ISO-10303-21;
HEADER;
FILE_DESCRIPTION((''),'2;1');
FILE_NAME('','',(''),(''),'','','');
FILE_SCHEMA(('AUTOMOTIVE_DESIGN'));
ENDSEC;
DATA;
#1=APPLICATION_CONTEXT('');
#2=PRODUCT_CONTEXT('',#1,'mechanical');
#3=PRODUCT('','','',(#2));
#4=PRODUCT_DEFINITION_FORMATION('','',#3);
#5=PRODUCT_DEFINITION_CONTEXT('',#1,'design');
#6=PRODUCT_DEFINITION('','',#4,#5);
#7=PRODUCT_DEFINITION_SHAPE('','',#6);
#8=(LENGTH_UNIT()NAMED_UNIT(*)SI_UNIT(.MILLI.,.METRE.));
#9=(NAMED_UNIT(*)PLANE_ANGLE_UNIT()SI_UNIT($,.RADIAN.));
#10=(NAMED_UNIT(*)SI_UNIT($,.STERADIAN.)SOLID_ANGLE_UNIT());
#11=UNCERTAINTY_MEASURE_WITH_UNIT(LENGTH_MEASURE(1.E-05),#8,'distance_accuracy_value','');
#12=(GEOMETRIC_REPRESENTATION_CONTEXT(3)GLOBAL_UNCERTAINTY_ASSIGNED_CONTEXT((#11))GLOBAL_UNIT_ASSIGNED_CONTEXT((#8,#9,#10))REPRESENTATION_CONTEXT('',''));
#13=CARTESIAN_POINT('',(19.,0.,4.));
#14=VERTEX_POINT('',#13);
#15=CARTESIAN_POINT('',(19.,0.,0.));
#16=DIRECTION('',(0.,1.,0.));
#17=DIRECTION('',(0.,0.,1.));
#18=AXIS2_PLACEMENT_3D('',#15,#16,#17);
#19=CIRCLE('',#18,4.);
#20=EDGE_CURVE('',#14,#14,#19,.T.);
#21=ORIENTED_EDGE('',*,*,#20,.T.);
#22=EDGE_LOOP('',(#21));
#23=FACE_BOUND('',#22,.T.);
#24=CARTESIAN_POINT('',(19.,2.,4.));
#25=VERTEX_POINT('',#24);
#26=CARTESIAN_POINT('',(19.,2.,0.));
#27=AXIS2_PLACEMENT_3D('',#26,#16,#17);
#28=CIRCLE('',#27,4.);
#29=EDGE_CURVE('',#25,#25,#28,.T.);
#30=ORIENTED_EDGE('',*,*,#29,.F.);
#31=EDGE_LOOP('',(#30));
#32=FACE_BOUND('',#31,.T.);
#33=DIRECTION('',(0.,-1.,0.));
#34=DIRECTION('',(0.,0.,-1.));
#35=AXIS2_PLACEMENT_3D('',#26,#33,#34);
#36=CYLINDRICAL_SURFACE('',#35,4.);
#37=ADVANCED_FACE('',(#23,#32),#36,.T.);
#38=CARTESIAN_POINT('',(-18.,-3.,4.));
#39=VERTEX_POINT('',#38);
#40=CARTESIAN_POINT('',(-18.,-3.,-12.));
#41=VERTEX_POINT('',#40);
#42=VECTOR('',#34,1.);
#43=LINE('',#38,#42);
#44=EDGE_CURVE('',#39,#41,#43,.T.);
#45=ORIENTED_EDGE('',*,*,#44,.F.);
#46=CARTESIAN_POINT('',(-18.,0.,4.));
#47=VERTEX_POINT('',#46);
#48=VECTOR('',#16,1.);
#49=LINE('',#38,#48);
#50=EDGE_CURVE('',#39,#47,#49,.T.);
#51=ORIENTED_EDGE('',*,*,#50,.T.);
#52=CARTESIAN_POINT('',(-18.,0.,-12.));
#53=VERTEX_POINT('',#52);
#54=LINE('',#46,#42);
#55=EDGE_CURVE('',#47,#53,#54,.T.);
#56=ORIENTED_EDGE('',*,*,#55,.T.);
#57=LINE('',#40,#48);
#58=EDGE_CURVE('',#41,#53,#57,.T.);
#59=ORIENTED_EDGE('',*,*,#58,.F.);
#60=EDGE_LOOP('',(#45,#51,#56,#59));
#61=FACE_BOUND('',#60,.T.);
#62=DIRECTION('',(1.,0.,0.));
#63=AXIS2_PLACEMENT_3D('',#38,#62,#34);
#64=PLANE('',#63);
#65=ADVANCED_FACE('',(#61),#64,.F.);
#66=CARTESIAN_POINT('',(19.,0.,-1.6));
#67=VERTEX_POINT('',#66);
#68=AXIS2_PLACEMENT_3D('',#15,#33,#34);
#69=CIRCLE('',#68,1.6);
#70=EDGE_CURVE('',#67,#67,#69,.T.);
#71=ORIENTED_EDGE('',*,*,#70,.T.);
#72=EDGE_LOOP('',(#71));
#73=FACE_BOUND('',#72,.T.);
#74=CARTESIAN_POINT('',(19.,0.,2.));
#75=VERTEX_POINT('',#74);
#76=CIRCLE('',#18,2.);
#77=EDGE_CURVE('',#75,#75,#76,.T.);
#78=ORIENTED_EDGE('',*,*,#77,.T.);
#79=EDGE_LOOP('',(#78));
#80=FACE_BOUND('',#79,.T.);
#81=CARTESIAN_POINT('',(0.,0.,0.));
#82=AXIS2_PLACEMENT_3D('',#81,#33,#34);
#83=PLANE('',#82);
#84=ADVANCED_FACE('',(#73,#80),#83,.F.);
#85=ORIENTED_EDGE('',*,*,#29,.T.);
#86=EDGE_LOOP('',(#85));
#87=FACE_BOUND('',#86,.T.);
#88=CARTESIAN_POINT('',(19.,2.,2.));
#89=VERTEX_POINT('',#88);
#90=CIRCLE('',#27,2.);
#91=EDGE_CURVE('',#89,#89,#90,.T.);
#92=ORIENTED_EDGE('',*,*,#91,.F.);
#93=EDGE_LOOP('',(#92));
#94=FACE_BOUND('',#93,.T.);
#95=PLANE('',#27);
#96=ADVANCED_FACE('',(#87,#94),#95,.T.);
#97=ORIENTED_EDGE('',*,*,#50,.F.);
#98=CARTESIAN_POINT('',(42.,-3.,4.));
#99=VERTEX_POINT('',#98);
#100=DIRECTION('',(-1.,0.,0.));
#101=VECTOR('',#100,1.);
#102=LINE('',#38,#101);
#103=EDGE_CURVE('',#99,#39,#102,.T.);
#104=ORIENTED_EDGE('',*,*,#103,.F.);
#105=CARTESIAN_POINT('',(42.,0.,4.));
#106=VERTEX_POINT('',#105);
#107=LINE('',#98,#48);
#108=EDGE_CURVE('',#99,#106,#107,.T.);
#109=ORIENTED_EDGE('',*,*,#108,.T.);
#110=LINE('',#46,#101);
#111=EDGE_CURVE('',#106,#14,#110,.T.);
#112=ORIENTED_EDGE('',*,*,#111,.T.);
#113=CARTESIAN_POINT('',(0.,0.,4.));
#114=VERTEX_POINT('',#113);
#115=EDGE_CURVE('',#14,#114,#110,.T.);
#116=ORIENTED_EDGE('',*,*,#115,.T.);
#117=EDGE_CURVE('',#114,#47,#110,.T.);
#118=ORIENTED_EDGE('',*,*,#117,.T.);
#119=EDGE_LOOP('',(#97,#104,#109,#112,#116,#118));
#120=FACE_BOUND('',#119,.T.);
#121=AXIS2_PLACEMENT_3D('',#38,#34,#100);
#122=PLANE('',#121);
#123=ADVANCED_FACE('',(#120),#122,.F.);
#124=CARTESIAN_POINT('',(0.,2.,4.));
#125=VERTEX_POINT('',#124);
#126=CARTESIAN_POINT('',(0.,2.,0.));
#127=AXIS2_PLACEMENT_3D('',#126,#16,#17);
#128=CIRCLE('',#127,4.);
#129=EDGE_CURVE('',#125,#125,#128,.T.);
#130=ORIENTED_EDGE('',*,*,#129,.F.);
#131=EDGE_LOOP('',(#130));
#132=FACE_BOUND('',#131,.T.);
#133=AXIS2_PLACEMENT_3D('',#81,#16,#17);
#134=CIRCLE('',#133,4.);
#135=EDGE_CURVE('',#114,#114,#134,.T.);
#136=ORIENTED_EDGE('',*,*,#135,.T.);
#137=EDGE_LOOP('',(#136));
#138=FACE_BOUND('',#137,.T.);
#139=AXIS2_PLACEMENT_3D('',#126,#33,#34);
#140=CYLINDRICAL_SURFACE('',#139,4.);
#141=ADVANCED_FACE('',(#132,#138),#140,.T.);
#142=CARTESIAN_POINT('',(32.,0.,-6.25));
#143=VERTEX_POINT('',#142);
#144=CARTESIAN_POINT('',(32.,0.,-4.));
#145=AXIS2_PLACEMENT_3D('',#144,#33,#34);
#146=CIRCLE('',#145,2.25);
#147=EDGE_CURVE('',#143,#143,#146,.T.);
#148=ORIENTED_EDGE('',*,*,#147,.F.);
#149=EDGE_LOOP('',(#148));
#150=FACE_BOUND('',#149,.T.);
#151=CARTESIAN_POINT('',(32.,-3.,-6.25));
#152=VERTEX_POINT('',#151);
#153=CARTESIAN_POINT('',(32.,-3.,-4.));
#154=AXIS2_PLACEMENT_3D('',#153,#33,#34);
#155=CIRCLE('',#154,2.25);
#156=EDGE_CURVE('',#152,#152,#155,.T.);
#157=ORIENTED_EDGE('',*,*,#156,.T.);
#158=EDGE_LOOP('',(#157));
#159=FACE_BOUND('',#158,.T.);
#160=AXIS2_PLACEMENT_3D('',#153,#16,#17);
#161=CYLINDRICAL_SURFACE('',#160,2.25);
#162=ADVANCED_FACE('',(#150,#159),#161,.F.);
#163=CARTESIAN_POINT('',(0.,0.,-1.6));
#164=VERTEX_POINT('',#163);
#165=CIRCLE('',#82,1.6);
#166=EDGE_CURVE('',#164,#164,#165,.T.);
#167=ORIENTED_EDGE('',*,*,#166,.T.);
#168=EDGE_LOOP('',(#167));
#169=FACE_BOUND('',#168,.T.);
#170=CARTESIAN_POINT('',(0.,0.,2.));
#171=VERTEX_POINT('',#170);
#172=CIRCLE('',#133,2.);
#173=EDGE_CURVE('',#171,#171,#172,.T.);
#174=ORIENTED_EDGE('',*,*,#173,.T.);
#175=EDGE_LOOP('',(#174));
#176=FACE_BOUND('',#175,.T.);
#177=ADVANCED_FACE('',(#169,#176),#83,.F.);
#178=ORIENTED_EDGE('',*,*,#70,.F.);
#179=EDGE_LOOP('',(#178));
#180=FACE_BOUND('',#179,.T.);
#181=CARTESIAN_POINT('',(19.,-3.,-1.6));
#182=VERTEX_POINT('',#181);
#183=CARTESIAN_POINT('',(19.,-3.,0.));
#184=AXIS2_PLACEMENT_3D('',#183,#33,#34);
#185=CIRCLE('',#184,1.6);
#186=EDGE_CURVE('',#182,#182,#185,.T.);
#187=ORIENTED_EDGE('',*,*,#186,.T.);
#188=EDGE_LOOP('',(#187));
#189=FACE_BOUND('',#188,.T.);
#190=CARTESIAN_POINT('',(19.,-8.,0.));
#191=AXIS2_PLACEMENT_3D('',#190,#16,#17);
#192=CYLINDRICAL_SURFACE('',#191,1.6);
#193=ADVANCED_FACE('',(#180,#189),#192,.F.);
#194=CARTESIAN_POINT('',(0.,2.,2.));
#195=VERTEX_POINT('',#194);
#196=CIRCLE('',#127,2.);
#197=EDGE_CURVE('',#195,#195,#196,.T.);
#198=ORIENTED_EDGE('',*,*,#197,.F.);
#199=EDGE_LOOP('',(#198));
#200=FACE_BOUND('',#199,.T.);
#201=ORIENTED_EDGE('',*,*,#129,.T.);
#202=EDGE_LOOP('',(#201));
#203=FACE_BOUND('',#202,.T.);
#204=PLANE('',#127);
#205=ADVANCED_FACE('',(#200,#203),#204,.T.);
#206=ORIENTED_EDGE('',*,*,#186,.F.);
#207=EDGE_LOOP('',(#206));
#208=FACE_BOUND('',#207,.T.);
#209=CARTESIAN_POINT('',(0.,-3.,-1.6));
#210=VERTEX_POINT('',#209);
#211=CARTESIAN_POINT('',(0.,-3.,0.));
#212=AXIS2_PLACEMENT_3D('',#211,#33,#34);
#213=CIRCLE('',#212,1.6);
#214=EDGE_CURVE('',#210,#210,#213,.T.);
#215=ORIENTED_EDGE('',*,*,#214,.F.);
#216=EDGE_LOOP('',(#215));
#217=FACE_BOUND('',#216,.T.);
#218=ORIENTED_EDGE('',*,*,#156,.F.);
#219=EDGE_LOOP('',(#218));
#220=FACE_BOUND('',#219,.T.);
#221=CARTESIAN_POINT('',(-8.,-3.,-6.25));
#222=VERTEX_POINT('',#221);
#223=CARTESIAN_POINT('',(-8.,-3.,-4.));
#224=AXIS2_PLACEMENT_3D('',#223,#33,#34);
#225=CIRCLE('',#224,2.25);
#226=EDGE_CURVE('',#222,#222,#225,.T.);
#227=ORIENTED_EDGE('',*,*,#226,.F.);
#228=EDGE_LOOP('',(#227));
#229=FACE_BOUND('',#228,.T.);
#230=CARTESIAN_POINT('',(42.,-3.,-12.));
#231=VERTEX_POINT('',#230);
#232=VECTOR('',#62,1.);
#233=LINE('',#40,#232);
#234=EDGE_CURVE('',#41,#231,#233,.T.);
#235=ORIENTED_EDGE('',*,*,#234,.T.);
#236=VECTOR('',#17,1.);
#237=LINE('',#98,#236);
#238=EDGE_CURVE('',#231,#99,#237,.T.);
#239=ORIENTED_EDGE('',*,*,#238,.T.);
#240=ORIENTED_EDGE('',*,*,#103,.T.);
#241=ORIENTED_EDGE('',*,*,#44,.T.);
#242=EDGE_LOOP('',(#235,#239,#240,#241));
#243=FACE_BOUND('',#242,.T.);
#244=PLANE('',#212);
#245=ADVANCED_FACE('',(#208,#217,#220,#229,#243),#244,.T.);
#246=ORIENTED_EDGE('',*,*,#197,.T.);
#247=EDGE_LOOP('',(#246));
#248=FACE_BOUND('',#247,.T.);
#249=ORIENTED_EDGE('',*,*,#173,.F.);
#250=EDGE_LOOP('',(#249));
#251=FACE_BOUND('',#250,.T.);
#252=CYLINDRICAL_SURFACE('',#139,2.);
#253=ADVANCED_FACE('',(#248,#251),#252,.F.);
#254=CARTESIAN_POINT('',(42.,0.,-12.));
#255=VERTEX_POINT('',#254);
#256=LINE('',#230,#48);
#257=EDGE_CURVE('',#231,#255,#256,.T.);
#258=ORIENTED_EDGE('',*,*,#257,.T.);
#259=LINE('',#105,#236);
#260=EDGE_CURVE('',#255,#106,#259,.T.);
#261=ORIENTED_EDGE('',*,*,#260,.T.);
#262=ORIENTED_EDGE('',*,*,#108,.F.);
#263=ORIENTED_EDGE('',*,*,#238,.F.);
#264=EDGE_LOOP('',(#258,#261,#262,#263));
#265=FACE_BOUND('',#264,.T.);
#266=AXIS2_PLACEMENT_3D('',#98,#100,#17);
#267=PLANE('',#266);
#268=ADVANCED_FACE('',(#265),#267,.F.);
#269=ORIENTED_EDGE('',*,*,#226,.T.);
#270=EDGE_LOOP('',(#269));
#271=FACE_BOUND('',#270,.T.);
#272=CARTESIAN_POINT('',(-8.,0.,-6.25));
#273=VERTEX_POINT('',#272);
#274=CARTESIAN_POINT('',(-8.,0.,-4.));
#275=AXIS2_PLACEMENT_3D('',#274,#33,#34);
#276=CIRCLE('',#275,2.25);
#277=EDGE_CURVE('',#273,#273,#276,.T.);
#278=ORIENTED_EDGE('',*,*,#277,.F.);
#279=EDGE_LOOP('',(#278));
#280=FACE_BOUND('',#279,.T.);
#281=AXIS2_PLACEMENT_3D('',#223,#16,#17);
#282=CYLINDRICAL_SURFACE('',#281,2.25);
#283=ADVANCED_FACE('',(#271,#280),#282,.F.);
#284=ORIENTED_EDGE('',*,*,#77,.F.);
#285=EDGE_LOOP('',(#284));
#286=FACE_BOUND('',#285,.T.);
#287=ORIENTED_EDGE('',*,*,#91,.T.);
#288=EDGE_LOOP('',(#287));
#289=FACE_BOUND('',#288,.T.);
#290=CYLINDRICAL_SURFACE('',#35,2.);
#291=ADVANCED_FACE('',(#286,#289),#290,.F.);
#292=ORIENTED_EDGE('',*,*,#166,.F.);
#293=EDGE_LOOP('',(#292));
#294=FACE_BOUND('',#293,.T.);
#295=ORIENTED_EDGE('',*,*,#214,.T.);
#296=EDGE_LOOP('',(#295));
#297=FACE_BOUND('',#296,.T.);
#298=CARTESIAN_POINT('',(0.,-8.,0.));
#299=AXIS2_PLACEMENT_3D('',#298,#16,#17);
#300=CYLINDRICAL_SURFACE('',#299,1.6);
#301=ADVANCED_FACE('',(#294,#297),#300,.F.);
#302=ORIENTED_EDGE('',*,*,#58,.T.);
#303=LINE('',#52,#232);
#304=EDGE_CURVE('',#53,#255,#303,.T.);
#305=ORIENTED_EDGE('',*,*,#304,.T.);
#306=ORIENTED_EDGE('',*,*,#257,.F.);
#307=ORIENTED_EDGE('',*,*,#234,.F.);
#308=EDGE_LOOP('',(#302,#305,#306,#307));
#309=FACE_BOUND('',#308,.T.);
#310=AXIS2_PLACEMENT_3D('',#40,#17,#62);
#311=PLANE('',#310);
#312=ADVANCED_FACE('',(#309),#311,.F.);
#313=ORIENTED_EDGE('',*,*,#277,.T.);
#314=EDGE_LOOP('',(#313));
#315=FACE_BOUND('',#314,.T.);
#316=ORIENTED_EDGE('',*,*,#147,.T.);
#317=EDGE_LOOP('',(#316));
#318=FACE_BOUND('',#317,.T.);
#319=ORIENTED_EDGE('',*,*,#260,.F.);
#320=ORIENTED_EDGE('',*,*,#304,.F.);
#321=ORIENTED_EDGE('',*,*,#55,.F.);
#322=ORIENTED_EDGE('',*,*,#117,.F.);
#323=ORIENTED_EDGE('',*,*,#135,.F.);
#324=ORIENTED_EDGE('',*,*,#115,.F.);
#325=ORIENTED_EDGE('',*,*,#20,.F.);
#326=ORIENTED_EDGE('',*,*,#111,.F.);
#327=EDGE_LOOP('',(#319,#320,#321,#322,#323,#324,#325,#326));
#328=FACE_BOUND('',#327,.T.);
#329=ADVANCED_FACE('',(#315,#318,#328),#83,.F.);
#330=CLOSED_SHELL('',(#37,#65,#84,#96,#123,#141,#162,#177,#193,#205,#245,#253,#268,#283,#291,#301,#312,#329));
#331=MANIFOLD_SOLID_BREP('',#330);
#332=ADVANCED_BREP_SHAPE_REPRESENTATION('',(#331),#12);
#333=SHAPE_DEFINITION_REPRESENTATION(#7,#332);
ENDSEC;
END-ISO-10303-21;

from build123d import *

# Parameters (mm, degrees)
SKETCH1_R             = 4
SKETCH1_R_2           = 2
BOSS_EXTRUDE1_DEPTH   = 2
BOSS_EXTRUDE1_2_DEPTH = 2
SKETCH2_W             = 60
SKETCH2_H             = 16
SKETCH2_R             = 2.25
BOSS_EXTRUDE2_DEPTH   = 3
SKETCH3_R             = 1.6
CUT_EXTRUDE1_DEPTH    = 10


with BuildPart() as part:
    # Sketch1 → Boss-Extrude1 (new body)
    with BuildSketch(Plane(origin=(0, 0, 0), x_dir=(1, 0, 0), z_dir=(0, 1, 0))):
        Circle(SKETCH1_R)
        Circle(SKETCH1_R_2, mode=Mode.SUBTRACT)
    extrude(amount=BOSS_EXTRUDE1_DEPTH)



with BuildPart() as body_2:
    # Sketch1 → Boss-Extrude1 2 (new body)
    with BuildSketch(Plane(origin=(0, 0, 0), x_dir=(1, 0, 0), z_dir=(0, 1, 0))):
        with Locations((19, 0)):
            Circle(SKETCH1_R)
        with Locations((19, 0)):
            Circle(SKETCH1_R_2, mode=Mode.SUBTRACT)
    extrude(amount=BOSS_EXTRUDE1_2_DEPTH)


with BuildPart() as part_1:
    add(part.part)

    add(body_2.part)  # Boss-Extrude2 merges body 2
    # Sketch2 → Boss-Extrude2 (add)
    with BuildSketch(Plane.XZ):
        with Locations((12, -4)):
            Rectangle(SKETCH2_W, SKETCH2_H)
        with Locations((-8, -4)):
            Circle(SKETCH2_R, mode=Mode.SUBTRACT)
        with Locations((32, -4)):
            Circle(SKETCH2_R, mode=Mode.SUBTRACT)
    extrude(amount=BOSS_EXTRUDE2_DEPTH)

    # Sketch3 → Cut-Extrude1 (cut)
    with BuildSketch(Plane(origin=(0, 2, 0), x_dir=(1, 0, 0), z_dir=(0, 1, 0))):
        Circle(SKETCH3_R)
        with Locations((19, 0)):
            Circle(SKETCH3_R)
    extrude(amount=-CUT_EXTRUDE1_DEPTH, mode=Mode.SUBTRACT)


solid = part_1.part
